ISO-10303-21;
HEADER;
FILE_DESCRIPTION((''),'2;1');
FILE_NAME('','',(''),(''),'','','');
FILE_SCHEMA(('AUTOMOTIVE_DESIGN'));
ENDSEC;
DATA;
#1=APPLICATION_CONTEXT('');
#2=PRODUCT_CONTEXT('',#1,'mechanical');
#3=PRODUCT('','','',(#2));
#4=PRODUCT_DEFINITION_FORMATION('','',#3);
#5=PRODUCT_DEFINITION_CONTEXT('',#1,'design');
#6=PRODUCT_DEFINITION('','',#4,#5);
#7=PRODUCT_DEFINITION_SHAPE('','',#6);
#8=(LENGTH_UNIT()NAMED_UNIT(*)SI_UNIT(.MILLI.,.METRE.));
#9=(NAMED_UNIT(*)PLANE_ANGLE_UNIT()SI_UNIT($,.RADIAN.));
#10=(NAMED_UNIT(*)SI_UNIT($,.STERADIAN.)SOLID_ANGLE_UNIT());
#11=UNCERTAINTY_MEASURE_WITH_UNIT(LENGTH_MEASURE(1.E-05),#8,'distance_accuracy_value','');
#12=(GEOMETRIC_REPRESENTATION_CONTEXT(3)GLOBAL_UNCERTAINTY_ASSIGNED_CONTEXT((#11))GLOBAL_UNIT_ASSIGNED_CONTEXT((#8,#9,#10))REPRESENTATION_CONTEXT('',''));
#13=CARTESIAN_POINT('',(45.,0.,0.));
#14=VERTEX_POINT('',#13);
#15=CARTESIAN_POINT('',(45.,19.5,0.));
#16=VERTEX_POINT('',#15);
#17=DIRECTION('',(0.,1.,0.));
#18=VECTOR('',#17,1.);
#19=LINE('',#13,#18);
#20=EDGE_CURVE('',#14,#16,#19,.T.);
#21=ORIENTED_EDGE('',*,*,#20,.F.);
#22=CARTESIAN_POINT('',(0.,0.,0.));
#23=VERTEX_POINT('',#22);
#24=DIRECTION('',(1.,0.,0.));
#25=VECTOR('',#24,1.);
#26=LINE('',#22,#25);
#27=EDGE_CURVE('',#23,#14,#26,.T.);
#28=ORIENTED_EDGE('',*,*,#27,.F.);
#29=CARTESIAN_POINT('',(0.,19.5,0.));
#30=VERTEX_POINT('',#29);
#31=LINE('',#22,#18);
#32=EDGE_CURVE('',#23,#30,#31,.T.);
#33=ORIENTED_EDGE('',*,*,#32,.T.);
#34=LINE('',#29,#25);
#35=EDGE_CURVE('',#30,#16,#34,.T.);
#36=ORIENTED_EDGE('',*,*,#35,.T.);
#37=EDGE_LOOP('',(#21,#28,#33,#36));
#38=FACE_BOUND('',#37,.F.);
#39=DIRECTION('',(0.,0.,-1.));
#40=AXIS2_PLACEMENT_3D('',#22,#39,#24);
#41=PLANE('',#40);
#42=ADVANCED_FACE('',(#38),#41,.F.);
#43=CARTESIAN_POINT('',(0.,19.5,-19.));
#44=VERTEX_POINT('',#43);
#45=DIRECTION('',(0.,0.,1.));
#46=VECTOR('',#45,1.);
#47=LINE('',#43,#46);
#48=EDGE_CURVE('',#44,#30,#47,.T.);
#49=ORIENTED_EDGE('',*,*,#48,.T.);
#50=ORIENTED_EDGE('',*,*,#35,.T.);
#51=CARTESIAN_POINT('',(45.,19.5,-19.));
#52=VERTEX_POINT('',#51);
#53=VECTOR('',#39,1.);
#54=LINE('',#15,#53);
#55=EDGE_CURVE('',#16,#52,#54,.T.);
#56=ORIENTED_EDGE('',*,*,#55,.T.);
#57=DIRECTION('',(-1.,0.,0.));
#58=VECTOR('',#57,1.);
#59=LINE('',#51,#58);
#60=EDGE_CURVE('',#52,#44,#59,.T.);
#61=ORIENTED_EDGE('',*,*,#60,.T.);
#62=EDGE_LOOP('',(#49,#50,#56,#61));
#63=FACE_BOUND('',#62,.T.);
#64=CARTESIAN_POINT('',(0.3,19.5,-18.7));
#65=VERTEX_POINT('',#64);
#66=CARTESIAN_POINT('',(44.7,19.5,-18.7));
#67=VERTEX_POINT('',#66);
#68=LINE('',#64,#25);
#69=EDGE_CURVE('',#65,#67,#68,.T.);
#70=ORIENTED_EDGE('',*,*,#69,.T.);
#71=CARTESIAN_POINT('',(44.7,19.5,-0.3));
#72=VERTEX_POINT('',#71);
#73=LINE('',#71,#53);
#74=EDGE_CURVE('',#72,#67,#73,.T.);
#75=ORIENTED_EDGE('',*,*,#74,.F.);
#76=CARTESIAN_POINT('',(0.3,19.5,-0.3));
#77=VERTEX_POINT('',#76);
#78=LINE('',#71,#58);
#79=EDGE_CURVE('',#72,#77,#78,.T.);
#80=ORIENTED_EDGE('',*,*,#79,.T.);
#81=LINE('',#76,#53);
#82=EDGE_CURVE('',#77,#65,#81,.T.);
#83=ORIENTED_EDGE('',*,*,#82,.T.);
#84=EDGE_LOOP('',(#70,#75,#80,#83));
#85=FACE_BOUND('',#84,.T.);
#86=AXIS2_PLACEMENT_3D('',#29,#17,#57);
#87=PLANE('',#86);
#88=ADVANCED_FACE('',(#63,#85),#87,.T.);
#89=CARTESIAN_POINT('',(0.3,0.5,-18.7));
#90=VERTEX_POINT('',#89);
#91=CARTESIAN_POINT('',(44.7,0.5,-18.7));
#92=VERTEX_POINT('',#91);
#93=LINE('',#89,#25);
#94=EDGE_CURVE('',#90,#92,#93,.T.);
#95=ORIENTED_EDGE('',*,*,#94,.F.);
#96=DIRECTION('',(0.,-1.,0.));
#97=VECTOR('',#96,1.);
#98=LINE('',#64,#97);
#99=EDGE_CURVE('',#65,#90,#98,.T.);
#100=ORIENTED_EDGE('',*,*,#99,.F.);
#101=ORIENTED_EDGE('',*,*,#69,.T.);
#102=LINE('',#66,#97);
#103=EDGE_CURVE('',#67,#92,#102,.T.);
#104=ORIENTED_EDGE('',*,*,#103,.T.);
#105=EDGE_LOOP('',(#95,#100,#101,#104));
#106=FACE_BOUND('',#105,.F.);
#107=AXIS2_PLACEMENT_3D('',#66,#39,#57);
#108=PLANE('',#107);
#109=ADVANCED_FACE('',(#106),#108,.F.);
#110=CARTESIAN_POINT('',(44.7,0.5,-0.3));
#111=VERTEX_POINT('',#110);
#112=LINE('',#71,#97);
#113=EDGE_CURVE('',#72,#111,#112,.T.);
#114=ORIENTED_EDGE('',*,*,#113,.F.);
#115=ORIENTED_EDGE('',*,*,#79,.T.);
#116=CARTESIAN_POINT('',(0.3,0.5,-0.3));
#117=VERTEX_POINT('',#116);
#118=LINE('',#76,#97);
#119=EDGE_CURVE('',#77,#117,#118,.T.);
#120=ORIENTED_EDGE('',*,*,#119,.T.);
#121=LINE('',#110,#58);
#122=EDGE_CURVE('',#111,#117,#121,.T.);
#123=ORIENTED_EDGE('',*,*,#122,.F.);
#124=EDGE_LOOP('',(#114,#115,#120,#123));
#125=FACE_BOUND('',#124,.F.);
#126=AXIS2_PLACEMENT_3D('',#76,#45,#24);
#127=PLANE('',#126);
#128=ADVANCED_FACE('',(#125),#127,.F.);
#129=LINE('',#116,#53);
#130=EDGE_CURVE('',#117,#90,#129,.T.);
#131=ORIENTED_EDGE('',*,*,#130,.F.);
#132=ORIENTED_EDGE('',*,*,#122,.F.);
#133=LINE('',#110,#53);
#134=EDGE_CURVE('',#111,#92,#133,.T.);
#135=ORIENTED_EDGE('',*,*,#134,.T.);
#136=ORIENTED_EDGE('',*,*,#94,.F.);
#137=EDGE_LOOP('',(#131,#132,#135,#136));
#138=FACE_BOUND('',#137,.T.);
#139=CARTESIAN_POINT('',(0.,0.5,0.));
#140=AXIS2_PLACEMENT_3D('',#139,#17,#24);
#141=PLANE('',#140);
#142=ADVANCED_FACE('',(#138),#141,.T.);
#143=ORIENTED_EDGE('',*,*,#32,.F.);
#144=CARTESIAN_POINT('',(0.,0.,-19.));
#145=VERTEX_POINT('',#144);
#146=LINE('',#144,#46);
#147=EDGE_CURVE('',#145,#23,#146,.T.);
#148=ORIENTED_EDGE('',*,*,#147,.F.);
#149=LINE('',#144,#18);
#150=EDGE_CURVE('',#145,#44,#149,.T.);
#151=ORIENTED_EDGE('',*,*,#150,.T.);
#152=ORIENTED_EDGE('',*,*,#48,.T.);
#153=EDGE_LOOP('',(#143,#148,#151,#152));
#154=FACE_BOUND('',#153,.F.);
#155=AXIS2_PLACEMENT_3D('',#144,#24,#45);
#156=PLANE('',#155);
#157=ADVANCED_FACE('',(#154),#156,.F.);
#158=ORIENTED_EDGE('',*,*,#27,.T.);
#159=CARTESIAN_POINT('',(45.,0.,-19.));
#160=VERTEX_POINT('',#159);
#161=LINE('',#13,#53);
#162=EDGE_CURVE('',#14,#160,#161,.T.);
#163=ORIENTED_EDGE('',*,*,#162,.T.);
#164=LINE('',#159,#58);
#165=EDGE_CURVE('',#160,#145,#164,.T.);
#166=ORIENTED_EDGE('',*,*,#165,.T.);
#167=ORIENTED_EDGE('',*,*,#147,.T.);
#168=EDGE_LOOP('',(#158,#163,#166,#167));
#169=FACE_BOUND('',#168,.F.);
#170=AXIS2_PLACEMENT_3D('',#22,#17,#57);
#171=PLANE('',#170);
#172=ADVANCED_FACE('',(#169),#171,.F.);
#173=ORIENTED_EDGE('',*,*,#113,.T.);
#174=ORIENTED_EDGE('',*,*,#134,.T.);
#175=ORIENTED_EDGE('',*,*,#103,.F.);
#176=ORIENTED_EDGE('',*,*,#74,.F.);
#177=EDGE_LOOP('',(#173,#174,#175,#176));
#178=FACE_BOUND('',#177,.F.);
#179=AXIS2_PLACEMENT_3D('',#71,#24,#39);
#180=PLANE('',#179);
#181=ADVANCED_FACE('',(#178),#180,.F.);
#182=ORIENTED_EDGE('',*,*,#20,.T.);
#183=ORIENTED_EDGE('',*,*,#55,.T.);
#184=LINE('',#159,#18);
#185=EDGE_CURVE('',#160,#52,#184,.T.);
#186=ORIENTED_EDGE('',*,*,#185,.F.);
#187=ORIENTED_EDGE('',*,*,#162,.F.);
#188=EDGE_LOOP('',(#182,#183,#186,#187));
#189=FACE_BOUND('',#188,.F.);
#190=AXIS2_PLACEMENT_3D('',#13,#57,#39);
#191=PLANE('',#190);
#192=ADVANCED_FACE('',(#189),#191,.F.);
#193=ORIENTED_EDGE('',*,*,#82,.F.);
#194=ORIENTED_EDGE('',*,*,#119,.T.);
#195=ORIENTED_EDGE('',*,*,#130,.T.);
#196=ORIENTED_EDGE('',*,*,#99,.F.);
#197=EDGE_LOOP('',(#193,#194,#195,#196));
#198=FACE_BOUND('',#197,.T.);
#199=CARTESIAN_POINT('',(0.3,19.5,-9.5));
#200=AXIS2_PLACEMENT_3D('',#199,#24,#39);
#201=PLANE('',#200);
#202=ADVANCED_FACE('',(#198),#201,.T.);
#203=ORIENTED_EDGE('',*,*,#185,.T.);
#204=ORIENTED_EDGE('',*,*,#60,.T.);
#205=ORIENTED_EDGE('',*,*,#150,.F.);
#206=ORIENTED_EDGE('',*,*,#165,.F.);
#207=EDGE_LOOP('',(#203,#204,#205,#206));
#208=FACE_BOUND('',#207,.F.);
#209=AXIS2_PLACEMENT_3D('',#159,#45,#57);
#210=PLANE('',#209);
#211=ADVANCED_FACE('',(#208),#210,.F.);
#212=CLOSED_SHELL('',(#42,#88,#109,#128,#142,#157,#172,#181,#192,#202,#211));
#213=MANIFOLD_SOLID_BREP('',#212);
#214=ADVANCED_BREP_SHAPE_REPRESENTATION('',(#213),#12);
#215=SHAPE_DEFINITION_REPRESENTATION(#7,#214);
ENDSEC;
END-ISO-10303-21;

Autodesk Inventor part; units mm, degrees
ref_plane "YZ Plane" through (0, 0, 0) normal (1, 0, 0) x (0, 1, 0)
ref_plane "XZ Plane" through (0, 0, 0) normal (0, 1, 0) x (-1, 0, 0)
ref_plane "XY Plane" through (0, 0, 0) normal (0, 0, 1) x (1, 0, 0)
sketch "Boceto1" plane through (0, 0, 0) normal (0, 1, 0) x (-1, 0, 0)
  line L0 (0, 0) -> (-45, 0)
  line L1 (-45, 0) -> (-45, -19)
  line L2 (-45, -19) -> (0, -19)
  line L3 (0, -19) -> (0, 0)
extrude "Extrusión1" add sketch "Boceto1" along normal blind 19.5
sketch "Boceto2" plane through (0, 19.5, 0) normal (0, 1, 0) x (1, 0, 0)
  line L0 (0, 19) -> (0, 0) projected
  line L1 (45, 0) -> (45, 19) projected
  line L2 (0, 0) -> (45, 0) projected
  line L3 (45, 19) -> (0, 19) projected
  line L4 (0.3, 0.3) -> (0.3, 9.5)
  line L5 (0.3, 0.3) -> (12.3526, 0.3)
  line L6 (0.3, 9.5) -> (0.3, 18.7)
  line L7 (0.3, 18.7) -> (13.3767, 18.7)
  line L8 (13.3767, 18.7) -> (25.3714, 18.7)
  line L9 (25.3714, 18.7) -> (38.8857, 18.7)
  line L10 (44.7, 0.3) -> (44.7, 18.7)
  line L11 (44.7, 18.7) -> (38.8857, 18.7)
  line L12 (44.7, 0.3) -> (33.7568, 0.3)
  line L13 (12.3526, 0.3) -> (33.7568, 0.3)
extrude "Extrusión2" cut sketch "Boceto2" against normal blind 19 contours L4 L6 L7 L8 L9 L11 L10 L12 L13 L5
equation "\"Radio_pliegue\" = Grosor"
equation "\"Anchura_desahogo_plegado\" = Grosor"
equation "\"Profundidad_desahogo_plegado\" = 0.5 * Grosor"
equation "\"Tamaño_destalonado\" = 4 * Grosor"
equation "\"Remanente_mínimo\" = 2 * Grosor"
equation "\"Radiodetransición\" = Radio_pliegue"
equation "\"Tamaño_de_radio_de_Jacobi\" = Radio_pliegue"
equation "\"TamañoSeparación\" = Grosor"
equation "\"Grosor\" = 0.5"
properties part number "caja"
